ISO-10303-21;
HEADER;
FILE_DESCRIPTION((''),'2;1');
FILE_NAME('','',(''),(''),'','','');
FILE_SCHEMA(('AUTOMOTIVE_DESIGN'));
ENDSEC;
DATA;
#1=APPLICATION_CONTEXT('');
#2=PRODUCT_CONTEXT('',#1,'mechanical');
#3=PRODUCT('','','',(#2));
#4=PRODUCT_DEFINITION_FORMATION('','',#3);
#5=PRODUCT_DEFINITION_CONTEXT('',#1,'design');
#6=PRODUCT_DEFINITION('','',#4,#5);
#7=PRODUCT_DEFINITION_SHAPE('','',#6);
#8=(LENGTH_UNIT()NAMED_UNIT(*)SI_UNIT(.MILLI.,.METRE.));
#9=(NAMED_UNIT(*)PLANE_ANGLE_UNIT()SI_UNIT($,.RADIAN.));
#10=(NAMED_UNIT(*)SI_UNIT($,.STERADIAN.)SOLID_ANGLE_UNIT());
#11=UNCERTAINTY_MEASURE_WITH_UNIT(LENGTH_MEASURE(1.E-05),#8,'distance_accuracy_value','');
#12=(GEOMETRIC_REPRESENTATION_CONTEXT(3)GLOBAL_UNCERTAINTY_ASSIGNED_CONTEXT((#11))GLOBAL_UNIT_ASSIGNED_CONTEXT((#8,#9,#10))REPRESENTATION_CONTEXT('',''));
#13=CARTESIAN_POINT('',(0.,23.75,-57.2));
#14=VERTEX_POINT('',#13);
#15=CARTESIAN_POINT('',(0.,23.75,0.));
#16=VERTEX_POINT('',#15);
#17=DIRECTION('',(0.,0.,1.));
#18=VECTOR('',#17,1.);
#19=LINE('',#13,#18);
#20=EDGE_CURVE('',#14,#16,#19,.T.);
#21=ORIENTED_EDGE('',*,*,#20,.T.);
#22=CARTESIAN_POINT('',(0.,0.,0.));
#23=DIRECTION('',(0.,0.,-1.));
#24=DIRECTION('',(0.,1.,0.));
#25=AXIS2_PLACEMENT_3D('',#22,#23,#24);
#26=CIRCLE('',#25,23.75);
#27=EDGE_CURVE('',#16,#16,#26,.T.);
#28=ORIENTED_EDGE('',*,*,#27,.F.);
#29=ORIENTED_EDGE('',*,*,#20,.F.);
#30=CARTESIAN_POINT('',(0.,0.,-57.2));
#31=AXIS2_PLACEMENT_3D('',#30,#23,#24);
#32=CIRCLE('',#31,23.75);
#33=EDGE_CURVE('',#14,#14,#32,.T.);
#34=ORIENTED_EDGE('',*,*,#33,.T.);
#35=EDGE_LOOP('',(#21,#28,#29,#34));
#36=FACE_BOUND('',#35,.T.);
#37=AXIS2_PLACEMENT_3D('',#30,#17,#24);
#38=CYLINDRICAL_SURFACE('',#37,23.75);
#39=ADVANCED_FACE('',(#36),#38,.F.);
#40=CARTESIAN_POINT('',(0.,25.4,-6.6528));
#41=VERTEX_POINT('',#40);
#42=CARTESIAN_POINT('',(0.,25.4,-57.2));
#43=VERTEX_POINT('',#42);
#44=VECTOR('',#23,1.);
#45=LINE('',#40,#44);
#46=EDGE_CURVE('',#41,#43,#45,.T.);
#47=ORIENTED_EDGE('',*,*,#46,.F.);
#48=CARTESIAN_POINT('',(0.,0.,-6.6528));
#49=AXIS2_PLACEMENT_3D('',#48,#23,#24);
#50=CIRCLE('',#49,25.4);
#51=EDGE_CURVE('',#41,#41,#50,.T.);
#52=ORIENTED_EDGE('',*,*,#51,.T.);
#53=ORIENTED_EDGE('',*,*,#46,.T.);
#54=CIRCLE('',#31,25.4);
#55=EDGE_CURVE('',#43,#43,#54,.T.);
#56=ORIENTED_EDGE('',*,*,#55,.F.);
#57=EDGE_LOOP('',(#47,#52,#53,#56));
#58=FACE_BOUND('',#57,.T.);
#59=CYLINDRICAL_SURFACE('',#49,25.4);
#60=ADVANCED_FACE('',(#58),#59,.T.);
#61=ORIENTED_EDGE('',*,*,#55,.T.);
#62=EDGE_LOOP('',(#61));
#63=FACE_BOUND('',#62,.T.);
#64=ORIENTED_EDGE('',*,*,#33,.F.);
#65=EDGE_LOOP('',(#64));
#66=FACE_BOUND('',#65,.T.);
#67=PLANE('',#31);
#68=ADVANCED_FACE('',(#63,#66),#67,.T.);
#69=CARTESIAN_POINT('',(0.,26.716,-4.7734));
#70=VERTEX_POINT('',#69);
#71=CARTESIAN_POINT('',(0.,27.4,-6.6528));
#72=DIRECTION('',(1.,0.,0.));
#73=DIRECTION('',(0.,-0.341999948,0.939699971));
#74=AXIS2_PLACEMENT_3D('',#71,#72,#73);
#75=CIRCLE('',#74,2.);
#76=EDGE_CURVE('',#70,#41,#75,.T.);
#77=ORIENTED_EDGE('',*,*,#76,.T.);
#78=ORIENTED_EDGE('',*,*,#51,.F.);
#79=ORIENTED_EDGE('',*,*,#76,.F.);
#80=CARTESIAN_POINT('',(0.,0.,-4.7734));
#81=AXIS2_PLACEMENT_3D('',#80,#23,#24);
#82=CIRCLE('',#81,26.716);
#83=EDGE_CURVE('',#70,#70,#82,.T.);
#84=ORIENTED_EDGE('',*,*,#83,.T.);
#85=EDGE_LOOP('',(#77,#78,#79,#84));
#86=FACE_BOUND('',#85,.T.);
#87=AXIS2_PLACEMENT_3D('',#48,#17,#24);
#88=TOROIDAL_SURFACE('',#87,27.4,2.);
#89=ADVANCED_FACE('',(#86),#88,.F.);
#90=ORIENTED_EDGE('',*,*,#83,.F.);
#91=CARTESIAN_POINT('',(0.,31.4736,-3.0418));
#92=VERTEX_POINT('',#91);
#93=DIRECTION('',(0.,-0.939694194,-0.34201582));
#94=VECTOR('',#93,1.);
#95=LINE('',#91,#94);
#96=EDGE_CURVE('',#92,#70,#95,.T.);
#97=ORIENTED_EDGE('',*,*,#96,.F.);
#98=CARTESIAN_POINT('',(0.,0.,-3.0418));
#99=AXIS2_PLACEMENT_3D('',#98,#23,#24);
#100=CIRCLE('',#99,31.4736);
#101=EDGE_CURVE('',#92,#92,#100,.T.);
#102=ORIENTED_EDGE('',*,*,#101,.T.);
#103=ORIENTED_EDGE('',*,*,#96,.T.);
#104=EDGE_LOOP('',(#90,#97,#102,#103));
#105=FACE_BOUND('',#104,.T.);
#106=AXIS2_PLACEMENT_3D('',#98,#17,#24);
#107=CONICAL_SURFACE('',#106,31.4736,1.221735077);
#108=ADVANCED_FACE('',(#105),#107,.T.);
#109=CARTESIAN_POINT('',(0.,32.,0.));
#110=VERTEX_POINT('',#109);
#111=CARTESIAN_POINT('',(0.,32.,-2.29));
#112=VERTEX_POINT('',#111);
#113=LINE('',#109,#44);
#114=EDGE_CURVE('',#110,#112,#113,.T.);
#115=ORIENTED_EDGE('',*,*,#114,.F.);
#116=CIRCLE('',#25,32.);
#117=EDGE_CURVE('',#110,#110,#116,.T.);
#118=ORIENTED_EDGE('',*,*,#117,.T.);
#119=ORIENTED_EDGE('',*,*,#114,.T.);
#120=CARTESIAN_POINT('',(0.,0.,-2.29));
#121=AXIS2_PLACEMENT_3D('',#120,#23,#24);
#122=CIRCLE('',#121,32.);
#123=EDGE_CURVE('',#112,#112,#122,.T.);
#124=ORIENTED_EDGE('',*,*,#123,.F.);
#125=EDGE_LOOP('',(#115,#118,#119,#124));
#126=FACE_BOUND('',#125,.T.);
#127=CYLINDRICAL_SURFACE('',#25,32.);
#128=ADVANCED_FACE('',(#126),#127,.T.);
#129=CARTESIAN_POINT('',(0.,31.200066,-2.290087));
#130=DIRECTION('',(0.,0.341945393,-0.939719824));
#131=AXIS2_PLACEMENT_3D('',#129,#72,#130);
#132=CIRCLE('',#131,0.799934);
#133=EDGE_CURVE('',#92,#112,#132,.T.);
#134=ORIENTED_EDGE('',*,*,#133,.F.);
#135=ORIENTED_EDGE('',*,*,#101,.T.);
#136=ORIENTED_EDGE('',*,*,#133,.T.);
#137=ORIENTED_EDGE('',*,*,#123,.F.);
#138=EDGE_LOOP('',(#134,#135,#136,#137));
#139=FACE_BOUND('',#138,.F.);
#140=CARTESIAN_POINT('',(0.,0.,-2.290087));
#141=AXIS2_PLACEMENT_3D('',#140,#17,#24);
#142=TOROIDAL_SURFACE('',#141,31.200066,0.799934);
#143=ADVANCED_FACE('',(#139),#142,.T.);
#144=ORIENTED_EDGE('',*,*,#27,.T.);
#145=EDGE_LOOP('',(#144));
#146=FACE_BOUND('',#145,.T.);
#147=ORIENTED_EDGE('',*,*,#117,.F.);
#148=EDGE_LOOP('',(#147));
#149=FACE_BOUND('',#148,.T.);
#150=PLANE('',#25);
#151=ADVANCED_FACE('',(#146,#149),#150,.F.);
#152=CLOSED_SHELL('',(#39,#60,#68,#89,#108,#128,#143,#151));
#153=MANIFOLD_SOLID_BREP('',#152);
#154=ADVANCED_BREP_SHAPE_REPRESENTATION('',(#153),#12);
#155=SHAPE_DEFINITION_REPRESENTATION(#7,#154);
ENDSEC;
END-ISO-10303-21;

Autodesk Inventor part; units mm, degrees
ref_plane "YZ Plane" through (0, 0, 0) normal (1, 0, 0) x (0, 1, 0)
ref_plane "XZ Plane" through (0, 0, 0) normal (0, 1, 0) x (-1, 0, 0)
ref_plane "XY Plane" through (0, 0, 0) normal (0, 0, 1) x (1, 0, 0)
sketch "Sketch2" plane through (0, 0, 0) normal (1, 0, 0) x (0, 1, 0)
  line L0 (0, 0) -> (0, -57.2)
  line L1 (23.75, -57.2) -> (23.75, 0)
  line L2 (23.75, 0) -> (32, 0)
  line L3 (32, 0) -> (32, -2.29)
  line L4 (31.4736, -3.0418) -> (26.716, -4.7734)
  line L5 (25.4, -6.6528) -> (25.4, -57.2)
  line L6 (25.4, -57.2) -> (23.75, -57.2)
  arc A0 (31.4736, -3.0418) -> (32, -2.29) centre (31.2, -2.29) ccw
  arc A1 (26.716, -4.7734) -> (25.4, -6.6528) centre (27.4, -6.6528) ccw
  dimension "OD" = 50.8
  dimension "THW" = 1.65
  dimension "L" = 57.2
  dimension "d3" = 64
  dimension "d4" = 0.8
  dimension "d5" = 2.29
  dimension "d6" = 2
  dimension "d7" = 20
revolve "Revolution1" add sketch "Sketch2" angle 360 about axis through (0, 0, 0) along (0, 0, -1)
properties part number "Ferrule-50.8" material "Stainless Steel, 316L"
